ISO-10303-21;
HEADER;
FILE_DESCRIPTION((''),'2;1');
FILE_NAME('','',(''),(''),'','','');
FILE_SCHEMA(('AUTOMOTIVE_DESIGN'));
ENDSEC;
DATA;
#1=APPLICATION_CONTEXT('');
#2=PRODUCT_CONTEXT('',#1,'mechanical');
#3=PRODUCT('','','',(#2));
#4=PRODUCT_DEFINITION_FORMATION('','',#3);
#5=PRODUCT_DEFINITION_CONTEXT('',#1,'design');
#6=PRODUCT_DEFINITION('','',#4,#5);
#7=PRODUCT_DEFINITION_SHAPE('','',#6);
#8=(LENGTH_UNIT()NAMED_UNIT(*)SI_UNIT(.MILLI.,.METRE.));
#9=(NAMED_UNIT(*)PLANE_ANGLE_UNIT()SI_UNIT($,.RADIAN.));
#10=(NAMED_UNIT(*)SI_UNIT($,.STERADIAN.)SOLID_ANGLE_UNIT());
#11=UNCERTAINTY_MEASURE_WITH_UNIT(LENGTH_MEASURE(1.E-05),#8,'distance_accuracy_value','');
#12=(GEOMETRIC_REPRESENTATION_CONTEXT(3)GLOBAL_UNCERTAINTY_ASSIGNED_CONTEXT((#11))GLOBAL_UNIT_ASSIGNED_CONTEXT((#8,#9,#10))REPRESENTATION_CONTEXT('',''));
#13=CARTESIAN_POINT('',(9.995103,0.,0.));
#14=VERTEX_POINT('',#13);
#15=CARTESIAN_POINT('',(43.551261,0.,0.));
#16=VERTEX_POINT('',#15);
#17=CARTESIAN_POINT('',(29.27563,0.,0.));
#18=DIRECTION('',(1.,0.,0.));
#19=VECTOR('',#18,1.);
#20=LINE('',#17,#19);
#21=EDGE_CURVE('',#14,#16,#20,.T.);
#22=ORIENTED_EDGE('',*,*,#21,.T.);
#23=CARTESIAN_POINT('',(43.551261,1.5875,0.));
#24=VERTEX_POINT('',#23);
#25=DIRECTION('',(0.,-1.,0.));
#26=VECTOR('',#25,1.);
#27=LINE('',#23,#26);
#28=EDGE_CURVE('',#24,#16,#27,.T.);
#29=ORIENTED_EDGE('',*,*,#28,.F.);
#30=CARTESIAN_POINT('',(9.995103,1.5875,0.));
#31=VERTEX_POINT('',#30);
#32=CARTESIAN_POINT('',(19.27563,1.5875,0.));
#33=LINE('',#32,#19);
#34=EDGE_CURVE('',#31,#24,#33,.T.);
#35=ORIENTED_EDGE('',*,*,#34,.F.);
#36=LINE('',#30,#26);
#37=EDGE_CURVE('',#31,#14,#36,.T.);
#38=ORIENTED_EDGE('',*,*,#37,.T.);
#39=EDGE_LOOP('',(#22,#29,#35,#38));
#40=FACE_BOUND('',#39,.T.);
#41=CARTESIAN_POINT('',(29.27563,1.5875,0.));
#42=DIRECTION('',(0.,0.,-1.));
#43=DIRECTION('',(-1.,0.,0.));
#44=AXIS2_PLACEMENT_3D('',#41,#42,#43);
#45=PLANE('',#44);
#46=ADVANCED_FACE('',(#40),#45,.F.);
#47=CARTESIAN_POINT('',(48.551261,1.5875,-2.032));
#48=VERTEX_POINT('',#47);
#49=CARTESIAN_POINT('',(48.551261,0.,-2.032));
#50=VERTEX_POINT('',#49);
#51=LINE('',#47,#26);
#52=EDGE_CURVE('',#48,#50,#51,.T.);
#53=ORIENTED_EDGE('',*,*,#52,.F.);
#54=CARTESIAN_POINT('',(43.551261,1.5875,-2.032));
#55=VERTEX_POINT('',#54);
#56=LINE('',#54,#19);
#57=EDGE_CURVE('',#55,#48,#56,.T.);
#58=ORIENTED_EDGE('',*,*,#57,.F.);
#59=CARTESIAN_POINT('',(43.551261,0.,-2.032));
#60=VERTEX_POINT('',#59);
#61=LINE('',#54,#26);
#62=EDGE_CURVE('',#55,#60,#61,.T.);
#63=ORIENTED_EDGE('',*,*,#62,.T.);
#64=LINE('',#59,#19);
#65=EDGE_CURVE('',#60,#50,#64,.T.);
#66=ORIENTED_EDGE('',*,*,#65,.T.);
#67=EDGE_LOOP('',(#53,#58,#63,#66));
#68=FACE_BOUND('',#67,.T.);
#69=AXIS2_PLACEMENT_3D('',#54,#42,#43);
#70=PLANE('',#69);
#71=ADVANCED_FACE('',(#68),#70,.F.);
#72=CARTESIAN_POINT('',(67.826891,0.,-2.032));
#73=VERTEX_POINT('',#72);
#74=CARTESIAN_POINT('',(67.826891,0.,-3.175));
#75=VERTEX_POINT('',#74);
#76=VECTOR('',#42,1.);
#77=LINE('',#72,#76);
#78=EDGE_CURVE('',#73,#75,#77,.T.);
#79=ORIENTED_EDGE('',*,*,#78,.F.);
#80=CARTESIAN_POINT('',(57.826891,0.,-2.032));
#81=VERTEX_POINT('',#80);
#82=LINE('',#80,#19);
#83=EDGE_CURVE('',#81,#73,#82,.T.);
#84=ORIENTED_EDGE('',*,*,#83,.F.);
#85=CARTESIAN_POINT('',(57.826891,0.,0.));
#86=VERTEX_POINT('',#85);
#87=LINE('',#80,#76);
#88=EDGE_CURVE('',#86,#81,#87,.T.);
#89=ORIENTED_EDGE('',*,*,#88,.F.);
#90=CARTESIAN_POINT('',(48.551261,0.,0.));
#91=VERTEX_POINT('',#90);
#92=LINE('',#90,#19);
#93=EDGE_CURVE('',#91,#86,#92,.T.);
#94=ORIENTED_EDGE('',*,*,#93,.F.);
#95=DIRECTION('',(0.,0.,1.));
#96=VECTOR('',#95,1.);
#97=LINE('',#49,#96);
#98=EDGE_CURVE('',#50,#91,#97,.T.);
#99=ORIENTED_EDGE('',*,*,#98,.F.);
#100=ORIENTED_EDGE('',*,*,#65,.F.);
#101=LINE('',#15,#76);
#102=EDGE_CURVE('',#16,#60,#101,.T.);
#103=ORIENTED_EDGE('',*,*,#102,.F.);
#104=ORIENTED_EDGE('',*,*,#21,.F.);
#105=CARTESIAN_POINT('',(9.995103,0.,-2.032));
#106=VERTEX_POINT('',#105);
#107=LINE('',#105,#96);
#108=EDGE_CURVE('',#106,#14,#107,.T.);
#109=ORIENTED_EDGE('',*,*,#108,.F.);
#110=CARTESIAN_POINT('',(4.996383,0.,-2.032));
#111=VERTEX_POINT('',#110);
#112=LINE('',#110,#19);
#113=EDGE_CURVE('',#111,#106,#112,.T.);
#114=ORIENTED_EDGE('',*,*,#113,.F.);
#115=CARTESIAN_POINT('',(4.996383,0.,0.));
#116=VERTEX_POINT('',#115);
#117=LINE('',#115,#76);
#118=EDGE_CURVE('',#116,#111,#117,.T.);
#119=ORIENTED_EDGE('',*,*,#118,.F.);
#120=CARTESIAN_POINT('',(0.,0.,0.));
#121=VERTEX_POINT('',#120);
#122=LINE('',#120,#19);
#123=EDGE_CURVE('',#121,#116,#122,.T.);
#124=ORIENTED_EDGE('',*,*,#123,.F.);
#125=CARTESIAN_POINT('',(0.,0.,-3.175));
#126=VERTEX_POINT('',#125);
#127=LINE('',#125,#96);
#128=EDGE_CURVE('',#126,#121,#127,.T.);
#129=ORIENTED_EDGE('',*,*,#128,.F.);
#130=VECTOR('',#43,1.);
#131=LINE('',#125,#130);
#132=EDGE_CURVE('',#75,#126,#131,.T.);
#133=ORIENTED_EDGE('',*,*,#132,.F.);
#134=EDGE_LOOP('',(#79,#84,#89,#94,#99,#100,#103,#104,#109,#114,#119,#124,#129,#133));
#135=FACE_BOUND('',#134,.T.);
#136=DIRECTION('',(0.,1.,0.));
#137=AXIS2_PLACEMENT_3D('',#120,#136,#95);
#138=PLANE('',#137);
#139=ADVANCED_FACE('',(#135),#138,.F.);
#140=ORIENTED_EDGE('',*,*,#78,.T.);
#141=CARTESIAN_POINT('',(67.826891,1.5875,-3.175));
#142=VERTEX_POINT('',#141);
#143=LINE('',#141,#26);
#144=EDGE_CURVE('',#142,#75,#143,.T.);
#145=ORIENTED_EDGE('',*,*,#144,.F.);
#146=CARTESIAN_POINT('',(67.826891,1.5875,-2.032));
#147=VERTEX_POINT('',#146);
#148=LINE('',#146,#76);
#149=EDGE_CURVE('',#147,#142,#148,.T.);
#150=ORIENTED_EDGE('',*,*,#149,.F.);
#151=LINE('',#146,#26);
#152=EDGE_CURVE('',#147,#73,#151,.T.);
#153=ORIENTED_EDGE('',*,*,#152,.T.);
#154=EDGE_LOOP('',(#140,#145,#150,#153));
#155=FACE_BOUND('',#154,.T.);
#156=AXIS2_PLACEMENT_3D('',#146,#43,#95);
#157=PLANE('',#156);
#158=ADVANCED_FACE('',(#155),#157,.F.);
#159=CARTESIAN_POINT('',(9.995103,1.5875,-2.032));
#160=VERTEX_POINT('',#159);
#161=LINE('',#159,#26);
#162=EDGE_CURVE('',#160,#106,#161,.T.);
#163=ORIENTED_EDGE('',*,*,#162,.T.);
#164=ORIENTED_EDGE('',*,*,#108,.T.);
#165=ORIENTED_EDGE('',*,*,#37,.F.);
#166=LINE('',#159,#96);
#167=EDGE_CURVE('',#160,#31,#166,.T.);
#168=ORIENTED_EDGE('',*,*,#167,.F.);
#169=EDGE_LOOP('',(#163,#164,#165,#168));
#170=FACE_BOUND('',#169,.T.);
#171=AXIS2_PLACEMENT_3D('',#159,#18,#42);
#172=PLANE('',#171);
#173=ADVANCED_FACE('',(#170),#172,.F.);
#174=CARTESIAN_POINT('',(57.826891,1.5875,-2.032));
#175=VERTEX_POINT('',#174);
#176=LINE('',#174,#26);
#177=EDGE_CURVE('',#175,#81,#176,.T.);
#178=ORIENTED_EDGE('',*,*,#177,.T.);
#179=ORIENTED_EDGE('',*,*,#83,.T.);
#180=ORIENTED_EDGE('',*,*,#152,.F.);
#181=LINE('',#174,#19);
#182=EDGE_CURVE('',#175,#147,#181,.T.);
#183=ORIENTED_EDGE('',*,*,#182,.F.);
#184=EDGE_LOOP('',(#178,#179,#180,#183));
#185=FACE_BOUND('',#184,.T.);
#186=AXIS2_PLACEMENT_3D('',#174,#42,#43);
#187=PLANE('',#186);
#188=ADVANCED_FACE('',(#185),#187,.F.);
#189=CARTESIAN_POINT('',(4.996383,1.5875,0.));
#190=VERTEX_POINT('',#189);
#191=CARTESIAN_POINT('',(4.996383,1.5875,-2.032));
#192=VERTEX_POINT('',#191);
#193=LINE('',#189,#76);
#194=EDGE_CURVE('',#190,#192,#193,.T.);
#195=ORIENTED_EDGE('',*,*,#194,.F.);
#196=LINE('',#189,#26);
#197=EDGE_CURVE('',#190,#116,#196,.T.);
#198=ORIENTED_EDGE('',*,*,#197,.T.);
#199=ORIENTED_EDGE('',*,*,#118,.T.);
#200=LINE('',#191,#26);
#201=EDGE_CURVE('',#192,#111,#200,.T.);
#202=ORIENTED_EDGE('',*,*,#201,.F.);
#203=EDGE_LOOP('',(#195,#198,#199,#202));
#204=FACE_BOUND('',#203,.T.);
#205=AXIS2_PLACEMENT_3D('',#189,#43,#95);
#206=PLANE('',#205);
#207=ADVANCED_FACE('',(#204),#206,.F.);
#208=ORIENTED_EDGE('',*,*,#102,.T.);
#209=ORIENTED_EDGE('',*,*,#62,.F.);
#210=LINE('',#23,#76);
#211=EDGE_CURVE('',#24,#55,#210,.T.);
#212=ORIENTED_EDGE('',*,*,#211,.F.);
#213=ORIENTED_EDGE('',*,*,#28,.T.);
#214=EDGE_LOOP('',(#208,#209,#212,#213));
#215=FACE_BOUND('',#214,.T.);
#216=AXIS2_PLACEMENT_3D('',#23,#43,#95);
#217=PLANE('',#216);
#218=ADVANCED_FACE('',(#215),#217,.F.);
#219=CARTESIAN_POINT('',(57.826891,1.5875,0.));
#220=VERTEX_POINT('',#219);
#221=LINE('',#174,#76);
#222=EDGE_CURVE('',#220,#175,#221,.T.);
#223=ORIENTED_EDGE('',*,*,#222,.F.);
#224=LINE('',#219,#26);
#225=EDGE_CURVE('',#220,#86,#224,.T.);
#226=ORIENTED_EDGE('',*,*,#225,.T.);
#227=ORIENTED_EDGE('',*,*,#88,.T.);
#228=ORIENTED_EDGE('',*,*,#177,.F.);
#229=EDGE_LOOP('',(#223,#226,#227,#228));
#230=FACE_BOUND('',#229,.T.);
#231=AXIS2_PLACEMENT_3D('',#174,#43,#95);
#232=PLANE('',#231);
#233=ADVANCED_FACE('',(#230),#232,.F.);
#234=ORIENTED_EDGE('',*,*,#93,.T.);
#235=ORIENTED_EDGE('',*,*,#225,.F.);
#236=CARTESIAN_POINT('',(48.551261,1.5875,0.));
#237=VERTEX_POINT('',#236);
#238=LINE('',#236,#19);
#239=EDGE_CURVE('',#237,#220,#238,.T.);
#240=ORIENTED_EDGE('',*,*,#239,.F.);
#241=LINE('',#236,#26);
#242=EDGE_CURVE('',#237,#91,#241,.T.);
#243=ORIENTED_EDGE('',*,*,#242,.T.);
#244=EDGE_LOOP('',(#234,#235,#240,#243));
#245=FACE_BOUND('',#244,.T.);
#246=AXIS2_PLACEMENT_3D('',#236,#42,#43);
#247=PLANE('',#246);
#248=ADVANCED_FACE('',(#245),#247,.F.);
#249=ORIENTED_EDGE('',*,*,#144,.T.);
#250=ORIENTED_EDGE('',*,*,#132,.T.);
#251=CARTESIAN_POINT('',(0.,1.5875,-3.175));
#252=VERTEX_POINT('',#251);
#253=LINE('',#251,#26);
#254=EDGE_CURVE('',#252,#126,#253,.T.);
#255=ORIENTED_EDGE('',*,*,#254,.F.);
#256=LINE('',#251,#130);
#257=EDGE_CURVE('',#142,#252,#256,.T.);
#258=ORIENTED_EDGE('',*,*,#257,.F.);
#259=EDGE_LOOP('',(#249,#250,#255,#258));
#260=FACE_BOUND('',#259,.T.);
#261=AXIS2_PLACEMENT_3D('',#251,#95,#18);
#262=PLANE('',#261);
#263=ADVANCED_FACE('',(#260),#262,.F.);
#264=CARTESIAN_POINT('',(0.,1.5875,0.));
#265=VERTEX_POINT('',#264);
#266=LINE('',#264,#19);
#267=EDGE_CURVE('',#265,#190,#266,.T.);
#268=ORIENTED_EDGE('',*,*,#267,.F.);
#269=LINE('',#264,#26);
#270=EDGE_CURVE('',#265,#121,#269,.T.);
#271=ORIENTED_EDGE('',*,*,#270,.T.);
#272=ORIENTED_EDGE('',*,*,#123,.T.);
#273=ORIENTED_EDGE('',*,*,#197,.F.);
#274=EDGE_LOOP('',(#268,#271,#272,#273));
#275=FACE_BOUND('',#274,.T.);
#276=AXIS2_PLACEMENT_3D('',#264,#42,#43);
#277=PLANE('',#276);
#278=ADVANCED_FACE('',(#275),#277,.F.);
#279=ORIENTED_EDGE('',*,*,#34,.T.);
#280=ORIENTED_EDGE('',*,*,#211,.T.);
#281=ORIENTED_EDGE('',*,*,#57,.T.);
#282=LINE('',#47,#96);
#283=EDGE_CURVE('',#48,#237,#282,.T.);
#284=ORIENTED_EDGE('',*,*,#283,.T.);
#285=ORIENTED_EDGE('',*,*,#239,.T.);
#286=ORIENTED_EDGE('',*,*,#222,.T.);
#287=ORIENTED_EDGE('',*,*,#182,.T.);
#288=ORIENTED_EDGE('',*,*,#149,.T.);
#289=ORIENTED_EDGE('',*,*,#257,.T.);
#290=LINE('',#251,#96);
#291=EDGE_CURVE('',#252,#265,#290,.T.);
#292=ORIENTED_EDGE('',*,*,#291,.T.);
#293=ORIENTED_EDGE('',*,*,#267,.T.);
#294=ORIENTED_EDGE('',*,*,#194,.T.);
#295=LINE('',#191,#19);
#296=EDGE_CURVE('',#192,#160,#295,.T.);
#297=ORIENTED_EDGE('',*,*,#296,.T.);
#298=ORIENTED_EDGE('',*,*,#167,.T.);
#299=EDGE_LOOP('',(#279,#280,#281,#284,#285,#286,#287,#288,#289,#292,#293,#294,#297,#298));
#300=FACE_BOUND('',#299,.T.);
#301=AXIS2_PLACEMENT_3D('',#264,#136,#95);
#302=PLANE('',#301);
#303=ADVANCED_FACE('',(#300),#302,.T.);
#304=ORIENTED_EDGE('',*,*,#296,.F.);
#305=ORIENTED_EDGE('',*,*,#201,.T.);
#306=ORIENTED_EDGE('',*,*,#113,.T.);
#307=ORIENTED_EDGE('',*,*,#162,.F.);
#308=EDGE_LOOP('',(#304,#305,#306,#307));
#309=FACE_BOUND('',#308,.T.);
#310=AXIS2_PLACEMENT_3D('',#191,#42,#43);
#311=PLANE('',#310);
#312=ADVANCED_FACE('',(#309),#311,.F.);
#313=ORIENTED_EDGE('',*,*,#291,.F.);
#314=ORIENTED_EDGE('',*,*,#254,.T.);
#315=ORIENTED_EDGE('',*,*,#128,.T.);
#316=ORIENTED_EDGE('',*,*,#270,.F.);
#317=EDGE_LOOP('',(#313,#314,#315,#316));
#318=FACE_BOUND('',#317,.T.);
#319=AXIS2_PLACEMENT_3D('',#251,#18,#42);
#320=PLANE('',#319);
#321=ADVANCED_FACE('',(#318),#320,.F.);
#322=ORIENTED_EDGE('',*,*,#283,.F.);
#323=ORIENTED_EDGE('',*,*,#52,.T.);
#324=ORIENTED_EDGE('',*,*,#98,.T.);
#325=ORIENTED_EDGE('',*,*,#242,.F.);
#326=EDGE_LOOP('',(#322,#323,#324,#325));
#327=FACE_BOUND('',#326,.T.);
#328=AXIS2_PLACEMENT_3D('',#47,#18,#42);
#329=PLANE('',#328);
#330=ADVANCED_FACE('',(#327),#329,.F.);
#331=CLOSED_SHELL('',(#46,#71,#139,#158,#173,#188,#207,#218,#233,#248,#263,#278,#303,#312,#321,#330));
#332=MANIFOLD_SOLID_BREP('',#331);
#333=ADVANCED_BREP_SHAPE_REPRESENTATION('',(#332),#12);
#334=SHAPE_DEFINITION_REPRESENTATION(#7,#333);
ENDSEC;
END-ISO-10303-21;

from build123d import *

# Parameters (mm, degrees)
BOSS_EXTRUDE1_DEPTH = 1.5875


with BuildPart() as part:
    # Sketch1 → Boss-Extrude1 (new body)
    with BuildSketch(Plane(origin=(0, 0, 0), x_dir=(1, 0, 0), z_dir=(0, 1, 0))):
        Polygon((0, 0), (4.996382968, 0), (4.996382968, 2.032), (9.995102968, 2.032), (9.995102968, 0), (19.275630486, 0), (29.275630486, 0), (43.551260812, 0), (43.551260812, 2.032), (48.551260718, 2.032), (48.551260718, 0), (57.826891138, 0), (57.826891138, 2.032), (67.826891138, 2.032), (67.826891138, 3.175), (0, 3.175), align=None)
    extrude(amount=BOSS_EXTRUDE1_DEPTH)


solid = part.part
